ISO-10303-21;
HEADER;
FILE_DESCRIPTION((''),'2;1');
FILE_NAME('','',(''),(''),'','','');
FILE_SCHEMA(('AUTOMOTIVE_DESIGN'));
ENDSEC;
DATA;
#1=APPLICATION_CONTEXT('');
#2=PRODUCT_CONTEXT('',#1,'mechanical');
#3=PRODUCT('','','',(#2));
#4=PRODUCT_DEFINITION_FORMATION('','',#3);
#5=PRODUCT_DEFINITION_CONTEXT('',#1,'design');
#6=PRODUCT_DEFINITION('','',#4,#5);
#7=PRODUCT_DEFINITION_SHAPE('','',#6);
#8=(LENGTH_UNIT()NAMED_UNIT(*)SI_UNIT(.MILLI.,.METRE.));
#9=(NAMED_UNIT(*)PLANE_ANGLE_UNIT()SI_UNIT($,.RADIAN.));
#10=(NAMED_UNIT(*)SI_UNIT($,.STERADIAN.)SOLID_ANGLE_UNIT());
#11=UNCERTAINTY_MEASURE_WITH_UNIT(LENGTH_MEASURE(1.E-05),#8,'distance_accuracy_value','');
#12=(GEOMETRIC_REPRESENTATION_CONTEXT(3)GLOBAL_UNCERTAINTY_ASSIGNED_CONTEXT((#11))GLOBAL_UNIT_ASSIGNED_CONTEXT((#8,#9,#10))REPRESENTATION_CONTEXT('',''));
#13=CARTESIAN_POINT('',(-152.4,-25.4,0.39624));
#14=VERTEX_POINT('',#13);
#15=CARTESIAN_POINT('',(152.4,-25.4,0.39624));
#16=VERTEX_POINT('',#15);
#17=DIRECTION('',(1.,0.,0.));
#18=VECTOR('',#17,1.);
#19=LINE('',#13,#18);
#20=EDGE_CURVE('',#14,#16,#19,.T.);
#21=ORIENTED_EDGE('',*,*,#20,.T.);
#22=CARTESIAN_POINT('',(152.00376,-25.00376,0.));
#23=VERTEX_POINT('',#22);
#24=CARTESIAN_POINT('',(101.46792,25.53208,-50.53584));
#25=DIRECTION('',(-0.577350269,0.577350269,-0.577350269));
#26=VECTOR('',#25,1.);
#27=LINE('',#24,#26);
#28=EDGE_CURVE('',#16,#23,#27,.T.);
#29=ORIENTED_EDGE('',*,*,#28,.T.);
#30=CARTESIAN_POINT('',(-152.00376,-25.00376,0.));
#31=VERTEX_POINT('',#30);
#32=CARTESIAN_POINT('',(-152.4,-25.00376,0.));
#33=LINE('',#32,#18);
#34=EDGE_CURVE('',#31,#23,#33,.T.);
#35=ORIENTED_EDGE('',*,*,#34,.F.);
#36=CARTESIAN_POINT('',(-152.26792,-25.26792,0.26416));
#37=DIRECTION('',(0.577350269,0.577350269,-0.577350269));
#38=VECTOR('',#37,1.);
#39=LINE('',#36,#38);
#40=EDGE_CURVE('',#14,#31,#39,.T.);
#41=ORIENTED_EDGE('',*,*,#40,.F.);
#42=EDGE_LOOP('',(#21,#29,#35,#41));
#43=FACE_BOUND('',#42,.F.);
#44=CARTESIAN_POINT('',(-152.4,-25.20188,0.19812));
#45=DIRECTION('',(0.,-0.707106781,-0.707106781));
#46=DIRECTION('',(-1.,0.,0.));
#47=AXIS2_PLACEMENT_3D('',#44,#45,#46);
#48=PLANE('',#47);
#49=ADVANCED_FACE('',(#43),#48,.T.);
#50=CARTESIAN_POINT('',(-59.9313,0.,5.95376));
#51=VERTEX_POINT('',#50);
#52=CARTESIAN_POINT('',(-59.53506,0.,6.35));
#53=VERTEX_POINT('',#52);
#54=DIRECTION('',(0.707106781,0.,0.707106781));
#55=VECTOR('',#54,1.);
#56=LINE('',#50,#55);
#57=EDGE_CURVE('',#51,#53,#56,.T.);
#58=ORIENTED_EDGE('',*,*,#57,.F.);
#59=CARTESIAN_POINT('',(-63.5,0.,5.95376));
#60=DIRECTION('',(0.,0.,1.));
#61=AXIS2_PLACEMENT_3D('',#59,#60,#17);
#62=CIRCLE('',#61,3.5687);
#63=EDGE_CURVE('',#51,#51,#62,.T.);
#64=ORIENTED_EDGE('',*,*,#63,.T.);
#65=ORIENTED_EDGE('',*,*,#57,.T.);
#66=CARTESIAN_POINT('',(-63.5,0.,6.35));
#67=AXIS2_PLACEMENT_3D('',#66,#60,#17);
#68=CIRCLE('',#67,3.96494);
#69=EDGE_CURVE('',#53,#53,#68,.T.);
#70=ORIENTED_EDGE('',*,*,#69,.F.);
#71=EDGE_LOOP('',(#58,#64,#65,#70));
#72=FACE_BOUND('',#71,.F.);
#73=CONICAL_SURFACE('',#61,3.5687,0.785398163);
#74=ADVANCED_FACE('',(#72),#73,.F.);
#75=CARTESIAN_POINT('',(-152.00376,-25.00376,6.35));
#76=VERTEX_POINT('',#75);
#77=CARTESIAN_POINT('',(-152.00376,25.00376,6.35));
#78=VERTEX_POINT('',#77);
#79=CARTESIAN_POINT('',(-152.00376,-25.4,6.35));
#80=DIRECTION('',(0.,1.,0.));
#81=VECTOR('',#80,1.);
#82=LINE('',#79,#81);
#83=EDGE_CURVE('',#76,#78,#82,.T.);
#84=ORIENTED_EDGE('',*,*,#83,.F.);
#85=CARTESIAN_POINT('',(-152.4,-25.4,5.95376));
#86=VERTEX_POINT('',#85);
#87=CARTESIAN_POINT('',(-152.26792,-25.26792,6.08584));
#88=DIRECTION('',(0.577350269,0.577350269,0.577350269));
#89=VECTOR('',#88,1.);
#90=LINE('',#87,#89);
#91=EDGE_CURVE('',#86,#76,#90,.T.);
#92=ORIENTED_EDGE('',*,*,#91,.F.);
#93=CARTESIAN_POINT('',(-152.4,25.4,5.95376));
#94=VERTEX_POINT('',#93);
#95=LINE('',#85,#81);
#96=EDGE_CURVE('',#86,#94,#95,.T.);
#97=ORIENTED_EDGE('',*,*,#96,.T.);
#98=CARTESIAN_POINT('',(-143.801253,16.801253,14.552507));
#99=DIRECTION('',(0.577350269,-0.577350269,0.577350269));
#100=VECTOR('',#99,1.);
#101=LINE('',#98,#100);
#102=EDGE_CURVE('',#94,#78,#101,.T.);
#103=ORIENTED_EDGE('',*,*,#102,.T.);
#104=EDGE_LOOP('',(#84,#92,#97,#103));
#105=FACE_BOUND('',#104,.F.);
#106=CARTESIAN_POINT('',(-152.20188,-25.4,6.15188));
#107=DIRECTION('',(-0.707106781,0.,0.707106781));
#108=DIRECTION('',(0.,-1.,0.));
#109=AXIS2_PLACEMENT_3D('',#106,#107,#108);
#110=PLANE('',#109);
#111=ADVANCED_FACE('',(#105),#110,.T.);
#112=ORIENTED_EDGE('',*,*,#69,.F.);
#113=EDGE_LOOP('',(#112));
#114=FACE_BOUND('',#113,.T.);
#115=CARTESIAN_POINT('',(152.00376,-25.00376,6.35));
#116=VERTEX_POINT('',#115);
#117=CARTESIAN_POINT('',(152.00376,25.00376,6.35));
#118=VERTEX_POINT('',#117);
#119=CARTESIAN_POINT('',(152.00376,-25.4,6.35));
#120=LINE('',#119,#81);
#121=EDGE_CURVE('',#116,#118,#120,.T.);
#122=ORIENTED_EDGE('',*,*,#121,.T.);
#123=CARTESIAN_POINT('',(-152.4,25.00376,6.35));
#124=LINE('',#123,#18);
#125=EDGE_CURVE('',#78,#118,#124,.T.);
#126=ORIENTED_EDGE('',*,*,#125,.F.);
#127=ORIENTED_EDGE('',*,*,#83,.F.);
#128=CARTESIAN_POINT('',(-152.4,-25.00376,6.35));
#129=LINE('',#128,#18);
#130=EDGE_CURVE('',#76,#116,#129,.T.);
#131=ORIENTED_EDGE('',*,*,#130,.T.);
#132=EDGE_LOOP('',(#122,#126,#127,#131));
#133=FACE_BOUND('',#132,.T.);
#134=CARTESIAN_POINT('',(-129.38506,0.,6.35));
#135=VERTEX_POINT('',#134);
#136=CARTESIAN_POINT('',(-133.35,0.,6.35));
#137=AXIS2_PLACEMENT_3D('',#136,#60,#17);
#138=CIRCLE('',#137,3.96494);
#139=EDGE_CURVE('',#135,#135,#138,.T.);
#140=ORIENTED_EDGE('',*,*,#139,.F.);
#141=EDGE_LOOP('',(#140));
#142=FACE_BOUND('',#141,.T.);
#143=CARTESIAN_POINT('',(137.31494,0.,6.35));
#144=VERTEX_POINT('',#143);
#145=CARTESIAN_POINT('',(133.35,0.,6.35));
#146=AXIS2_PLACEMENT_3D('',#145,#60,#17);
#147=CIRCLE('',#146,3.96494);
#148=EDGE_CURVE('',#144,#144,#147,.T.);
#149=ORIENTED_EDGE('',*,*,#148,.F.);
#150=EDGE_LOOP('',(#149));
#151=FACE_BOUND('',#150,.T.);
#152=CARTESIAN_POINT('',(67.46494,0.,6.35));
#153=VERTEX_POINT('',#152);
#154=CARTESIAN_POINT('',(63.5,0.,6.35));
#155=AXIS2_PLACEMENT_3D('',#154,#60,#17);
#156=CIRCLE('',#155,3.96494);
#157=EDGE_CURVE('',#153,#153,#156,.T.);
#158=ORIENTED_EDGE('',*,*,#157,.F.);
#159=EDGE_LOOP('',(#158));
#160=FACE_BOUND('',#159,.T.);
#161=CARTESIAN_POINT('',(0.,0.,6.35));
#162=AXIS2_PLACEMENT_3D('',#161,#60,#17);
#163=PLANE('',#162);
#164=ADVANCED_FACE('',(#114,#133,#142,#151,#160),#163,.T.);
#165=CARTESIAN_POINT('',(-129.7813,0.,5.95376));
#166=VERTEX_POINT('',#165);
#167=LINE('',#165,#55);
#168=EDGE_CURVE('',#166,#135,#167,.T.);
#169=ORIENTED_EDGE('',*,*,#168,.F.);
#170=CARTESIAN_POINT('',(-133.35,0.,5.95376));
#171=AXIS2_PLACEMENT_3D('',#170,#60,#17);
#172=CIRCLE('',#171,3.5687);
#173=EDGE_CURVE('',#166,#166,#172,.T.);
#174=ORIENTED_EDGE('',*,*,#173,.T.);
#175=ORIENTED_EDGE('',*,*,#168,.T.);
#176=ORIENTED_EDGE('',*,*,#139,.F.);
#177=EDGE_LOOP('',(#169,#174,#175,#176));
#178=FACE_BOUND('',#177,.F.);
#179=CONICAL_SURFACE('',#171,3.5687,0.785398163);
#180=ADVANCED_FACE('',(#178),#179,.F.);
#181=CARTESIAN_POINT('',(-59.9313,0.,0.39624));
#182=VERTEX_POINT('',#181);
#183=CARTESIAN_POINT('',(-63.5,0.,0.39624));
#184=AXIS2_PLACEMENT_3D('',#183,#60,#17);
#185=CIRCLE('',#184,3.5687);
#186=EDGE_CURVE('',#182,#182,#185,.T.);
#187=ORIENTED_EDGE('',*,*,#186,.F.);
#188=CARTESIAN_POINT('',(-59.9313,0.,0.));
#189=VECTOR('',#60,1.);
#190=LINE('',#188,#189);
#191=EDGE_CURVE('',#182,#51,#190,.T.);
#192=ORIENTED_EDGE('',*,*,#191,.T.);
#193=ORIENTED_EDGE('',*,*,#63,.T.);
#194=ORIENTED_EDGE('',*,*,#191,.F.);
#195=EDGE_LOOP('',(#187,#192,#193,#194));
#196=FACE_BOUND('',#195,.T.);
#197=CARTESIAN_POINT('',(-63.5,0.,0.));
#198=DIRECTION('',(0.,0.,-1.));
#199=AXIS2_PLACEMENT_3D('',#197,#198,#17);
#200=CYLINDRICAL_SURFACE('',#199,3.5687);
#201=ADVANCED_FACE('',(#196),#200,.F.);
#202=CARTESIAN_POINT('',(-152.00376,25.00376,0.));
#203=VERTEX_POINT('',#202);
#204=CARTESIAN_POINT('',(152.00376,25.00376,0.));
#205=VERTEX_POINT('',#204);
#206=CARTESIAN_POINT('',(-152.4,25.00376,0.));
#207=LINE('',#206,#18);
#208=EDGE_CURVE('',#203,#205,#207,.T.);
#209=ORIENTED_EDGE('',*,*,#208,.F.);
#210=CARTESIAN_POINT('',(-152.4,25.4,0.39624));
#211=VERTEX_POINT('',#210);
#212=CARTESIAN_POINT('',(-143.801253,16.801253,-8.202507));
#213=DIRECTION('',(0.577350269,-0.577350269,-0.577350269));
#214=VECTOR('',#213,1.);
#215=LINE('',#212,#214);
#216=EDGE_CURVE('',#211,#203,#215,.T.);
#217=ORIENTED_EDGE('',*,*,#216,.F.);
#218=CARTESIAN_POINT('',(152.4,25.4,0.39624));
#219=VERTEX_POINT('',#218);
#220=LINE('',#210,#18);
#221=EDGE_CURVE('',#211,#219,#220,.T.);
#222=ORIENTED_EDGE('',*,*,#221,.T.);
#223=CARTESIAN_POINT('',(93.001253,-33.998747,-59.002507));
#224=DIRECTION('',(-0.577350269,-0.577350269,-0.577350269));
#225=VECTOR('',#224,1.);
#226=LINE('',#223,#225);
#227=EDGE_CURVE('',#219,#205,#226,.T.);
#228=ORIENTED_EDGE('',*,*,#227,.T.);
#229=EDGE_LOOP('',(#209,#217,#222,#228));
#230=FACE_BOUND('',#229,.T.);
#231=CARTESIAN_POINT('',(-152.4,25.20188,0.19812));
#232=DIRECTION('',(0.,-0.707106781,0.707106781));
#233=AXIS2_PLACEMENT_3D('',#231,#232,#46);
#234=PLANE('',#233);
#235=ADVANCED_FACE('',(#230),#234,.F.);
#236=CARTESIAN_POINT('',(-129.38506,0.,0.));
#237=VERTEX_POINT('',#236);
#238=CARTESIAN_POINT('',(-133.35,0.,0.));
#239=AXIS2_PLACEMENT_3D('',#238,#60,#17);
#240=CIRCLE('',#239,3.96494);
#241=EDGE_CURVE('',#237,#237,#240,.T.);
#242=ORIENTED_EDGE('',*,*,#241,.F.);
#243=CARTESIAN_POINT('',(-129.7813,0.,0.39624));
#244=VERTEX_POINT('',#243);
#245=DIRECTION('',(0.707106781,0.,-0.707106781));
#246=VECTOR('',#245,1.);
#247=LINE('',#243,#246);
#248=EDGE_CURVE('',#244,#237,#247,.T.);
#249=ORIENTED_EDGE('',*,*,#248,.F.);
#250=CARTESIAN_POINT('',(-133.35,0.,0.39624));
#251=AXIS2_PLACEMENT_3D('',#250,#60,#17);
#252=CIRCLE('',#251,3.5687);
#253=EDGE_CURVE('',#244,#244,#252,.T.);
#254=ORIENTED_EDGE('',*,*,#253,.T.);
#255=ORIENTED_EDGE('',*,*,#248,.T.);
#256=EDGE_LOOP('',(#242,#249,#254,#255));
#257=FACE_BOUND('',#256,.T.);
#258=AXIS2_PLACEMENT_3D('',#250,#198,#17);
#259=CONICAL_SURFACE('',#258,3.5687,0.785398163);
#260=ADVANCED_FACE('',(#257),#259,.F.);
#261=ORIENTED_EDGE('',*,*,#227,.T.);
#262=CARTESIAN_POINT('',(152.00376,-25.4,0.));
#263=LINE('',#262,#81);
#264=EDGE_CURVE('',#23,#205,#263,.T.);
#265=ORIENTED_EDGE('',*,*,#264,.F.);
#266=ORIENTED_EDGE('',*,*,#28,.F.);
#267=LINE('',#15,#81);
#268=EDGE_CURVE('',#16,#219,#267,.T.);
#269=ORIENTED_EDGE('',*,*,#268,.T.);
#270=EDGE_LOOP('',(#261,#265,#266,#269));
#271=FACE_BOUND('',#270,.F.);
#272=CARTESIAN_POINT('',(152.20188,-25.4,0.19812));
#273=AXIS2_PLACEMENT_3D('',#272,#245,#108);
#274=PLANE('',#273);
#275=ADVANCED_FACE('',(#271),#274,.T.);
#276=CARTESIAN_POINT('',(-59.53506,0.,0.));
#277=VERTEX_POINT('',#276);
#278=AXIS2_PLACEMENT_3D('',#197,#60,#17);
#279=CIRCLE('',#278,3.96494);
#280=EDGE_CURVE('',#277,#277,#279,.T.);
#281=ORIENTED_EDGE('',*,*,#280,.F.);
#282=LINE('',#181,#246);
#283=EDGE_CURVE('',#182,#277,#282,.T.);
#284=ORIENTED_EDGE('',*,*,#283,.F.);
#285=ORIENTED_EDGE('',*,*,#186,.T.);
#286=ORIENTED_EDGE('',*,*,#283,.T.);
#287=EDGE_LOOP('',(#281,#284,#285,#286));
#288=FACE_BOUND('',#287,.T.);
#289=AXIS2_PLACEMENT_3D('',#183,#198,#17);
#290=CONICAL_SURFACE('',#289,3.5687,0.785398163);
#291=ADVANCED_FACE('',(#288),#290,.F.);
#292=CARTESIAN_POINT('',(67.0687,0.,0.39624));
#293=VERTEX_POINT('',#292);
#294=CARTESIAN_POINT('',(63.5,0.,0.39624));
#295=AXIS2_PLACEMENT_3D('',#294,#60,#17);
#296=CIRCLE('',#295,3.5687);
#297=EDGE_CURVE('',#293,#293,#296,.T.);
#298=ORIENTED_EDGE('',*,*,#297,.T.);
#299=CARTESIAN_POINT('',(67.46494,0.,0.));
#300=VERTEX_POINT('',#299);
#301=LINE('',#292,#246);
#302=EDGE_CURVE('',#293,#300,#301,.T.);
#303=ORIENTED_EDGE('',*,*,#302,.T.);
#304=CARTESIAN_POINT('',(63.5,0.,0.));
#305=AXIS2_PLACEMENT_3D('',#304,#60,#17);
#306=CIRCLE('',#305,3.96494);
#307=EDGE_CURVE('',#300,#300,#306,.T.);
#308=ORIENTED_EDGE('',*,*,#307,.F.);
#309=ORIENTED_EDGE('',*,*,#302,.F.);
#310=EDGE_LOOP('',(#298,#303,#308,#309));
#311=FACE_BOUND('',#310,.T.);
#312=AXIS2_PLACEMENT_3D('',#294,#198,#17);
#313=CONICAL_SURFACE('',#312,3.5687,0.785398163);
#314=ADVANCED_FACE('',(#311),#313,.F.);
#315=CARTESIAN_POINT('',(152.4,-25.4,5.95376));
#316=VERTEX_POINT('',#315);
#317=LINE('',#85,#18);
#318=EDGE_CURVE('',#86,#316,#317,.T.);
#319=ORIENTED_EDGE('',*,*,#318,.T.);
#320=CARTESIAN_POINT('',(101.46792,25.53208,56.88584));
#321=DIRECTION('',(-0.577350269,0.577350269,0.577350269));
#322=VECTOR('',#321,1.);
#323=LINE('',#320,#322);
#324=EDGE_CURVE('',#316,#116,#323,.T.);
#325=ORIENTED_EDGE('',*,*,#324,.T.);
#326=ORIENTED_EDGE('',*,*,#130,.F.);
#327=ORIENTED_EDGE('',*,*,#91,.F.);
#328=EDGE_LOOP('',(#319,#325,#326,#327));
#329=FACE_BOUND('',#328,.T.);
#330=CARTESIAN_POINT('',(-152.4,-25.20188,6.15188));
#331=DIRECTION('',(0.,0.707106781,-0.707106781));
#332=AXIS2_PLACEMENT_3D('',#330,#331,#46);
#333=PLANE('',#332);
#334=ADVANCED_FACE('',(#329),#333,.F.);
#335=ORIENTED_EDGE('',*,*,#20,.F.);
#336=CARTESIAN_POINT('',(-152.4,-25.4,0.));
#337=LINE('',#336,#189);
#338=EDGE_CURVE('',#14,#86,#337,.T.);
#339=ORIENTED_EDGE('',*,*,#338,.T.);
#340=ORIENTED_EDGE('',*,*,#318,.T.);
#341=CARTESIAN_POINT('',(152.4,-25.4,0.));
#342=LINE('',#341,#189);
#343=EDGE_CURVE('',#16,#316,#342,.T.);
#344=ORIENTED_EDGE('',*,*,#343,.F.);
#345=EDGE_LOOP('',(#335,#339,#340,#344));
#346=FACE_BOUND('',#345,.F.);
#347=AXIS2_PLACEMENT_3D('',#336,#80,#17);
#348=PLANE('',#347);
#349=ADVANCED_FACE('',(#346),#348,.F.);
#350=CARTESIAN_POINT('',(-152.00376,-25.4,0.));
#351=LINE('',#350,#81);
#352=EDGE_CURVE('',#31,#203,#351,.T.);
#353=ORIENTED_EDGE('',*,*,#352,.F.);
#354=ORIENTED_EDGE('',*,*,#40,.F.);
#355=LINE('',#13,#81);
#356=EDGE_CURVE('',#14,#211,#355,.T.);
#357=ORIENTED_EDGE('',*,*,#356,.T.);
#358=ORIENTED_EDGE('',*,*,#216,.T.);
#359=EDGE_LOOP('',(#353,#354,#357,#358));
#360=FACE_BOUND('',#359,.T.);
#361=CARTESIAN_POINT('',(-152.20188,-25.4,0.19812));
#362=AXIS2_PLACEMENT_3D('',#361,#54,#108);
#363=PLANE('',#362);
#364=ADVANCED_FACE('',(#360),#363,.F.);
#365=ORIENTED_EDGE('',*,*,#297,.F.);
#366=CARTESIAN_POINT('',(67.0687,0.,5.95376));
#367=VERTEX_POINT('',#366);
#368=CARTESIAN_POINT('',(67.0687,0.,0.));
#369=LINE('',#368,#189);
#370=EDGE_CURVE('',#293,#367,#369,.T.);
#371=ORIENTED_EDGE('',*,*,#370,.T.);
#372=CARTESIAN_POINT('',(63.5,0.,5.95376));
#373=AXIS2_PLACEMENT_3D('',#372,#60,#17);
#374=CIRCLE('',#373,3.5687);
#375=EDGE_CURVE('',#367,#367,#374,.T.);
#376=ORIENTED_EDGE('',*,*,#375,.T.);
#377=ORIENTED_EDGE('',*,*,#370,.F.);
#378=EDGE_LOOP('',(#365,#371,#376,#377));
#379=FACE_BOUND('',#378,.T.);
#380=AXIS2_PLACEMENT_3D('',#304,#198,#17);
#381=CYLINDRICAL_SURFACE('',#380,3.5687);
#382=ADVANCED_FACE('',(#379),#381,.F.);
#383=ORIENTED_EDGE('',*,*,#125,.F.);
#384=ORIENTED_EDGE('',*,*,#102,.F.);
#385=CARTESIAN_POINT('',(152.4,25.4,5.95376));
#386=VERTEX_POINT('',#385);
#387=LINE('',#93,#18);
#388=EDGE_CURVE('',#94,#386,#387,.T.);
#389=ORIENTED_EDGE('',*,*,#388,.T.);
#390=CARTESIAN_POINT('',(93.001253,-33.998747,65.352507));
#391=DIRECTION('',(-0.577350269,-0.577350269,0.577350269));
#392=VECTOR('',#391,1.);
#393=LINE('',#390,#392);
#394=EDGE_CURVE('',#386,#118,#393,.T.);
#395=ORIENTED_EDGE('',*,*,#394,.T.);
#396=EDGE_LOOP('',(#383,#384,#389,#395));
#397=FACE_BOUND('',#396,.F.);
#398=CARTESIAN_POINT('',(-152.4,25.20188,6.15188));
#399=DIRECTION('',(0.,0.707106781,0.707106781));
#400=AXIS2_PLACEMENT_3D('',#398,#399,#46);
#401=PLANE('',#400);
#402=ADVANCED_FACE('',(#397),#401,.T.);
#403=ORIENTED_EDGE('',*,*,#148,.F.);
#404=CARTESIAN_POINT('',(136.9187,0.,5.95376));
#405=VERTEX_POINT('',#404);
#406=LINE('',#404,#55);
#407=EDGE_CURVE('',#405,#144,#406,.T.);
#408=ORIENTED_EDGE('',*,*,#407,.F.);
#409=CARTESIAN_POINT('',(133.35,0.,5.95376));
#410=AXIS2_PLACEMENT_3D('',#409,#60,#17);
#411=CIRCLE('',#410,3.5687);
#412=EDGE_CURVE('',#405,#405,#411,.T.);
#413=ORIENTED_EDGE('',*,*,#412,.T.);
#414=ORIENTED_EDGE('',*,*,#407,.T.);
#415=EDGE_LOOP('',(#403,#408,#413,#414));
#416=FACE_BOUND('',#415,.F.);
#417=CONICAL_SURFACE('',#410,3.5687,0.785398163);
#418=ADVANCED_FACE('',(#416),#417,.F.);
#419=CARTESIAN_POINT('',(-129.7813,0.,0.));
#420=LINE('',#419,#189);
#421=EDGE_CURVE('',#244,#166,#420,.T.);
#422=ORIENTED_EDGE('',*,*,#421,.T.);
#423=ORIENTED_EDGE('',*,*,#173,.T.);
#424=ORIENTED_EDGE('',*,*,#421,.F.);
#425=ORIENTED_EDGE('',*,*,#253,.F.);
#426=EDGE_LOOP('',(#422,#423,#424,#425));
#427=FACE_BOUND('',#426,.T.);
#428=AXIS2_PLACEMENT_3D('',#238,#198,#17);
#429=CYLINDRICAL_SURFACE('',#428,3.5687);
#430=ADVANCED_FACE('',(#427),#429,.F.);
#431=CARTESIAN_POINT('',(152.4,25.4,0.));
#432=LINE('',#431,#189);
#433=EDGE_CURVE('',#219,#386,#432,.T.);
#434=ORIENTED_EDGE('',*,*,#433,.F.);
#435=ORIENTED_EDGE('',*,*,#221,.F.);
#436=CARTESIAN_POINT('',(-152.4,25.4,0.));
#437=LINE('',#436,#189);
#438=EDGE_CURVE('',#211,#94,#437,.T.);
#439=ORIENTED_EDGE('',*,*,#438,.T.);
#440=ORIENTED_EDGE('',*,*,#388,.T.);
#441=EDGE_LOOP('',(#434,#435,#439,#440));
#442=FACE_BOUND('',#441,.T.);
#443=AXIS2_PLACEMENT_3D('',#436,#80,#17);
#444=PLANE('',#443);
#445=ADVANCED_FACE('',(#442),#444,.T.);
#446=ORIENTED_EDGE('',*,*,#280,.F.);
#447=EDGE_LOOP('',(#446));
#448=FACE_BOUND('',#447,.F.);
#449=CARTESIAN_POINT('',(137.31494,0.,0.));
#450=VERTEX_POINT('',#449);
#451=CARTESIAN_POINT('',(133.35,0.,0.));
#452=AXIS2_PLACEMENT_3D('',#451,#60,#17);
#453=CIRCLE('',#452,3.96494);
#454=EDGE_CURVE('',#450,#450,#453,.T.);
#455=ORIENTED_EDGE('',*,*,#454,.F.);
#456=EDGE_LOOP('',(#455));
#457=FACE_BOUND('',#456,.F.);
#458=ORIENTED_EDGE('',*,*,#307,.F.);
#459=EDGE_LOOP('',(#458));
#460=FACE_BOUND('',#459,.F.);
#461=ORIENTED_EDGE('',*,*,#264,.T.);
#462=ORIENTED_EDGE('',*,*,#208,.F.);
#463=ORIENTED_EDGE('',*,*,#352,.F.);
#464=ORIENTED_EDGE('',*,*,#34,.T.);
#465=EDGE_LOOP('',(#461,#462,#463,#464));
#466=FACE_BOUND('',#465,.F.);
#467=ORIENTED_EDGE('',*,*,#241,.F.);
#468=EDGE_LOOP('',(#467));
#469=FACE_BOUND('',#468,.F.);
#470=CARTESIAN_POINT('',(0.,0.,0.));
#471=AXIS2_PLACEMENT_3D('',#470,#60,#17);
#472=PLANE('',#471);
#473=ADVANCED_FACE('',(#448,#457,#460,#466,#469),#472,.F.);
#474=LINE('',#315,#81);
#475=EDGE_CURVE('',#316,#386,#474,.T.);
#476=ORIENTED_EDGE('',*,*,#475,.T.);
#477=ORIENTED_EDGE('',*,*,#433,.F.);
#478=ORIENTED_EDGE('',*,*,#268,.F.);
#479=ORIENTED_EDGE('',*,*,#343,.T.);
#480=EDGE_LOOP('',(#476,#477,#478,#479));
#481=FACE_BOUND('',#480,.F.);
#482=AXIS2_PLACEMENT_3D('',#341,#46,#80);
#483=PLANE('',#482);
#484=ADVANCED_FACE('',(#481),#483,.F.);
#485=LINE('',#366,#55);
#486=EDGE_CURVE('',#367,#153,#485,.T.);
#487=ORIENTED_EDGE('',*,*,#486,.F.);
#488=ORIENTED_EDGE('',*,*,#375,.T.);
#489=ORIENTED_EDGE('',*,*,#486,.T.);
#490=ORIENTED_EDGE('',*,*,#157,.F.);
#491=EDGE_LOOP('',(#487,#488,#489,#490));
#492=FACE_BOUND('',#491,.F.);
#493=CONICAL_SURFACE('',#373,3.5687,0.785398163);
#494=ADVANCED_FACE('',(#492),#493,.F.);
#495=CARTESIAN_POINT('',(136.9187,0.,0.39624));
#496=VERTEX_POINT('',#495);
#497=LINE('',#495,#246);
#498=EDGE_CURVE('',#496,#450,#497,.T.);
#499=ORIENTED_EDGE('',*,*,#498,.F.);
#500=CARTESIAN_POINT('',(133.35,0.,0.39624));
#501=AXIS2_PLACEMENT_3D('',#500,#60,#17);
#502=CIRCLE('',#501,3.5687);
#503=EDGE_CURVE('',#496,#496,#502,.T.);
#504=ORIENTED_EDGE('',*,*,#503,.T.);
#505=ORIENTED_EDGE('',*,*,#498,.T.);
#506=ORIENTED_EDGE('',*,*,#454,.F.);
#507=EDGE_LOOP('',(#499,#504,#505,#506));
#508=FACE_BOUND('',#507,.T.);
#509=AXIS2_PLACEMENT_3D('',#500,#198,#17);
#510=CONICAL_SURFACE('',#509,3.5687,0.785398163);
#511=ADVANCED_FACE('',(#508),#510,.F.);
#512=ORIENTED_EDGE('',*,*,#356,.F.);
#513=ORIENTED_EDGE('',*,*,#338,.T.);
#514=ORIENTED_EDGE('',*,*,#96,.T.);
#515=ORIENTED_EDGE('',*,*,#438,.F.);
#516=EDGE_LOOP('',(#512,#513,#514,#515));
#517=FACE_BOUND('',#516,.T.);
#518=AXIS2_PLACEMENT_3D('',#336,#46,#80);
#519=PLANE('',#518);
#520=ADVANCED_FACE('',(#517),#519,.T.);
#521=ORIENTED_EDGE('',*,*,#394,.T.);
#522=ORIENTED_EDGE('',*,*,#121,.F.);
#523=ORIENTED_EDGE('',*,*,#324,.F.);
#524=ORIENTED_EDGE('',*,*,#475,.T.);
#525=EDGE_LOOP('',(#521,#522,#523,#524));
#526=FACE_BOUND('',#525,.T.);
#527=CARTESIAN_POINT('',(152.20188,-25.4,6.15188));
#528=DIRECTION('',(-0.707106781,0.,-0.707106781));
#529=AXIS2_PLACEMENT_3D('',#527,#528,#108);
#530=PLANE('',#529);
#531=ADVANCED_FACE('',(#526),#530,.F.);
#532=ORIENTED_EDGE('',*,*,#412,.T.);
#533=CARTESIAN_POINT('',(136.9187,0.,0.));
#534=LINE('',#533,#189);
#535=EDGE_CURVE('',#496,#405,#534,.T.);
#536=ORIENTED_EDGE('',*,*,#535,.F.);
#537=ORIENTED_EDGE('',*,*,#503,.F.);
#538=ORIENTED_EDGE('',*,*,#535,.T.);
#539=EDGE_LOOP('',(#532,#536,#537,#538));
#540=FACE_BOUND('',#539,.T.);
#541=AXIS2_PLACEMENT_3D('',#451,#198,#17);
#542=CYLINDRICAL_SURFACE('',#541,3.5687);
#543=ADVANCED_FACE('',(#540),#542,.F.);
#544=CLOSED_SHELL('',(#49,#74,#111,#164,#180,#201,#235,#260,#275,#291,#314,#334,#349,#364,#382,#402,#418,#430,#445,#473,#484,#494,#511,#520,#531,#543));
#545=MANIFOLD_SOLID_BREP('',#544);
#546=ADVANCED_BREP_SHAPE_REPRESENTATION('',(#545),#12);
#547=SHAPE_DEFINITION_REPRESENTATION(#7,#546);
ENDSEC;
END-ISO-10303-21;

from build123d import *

# Parameters (mm, degrees)
F0_W     = 304.8
F0_H     = 50.8
F0_R     = 3.5687
F1_DEPTH = 6.35
F2_SIZE  = 0.39624


with BuildPart() as f1:
    # F0 (on Top) → F1 (new body)
    with BuildSketch(Plane.XY):
        Rectangle(F0_W, F0_H)
        with Locations((-133.35, 0)):
            Circle(F0_R, mode=Mode.SUBTRACT)
        with Locations((-63.5, 0)):
            Circle(F0_R, mode=Mode.SUBTRACT)
        with Locations((63.5, 0)):
            Circle(F0_R, mode=Mode.SUBTRACT)
        with Locations((133.35, 0)):
            Circle(F0_R, mode=Mode.SUBTRACT)
    extrude(amount=F1_DEPTH)

    # F2
    f2_edges = [f1.edges().sort_by_distance(p)[0] for p in [
        (152.4, 0, 0),
        (0, 25.4, 0),
        (-152.4, 0, 0),
        (0, -25.4, 0),
        (-136.9187, 0, 0),
        (-67.0687, 0, 0),
        (59.9313, 0, 0),
        (129.7813, 0, 0),
        (0, 25.4, 6.35),
        (152.4, 0, 6.35),
        (-152.4, 0, 6.35),
        (0, -25.4, 6.35),
        (-136.9187, 0, 6.35),
        (-67.0687, 0, 6.35),
        (59.9313, 0, 6.35),
        (129.7813, 0, 6.35),
    ]]
    chamfer(f2_edges, length=F2_SIZE)


solid = f1.part
